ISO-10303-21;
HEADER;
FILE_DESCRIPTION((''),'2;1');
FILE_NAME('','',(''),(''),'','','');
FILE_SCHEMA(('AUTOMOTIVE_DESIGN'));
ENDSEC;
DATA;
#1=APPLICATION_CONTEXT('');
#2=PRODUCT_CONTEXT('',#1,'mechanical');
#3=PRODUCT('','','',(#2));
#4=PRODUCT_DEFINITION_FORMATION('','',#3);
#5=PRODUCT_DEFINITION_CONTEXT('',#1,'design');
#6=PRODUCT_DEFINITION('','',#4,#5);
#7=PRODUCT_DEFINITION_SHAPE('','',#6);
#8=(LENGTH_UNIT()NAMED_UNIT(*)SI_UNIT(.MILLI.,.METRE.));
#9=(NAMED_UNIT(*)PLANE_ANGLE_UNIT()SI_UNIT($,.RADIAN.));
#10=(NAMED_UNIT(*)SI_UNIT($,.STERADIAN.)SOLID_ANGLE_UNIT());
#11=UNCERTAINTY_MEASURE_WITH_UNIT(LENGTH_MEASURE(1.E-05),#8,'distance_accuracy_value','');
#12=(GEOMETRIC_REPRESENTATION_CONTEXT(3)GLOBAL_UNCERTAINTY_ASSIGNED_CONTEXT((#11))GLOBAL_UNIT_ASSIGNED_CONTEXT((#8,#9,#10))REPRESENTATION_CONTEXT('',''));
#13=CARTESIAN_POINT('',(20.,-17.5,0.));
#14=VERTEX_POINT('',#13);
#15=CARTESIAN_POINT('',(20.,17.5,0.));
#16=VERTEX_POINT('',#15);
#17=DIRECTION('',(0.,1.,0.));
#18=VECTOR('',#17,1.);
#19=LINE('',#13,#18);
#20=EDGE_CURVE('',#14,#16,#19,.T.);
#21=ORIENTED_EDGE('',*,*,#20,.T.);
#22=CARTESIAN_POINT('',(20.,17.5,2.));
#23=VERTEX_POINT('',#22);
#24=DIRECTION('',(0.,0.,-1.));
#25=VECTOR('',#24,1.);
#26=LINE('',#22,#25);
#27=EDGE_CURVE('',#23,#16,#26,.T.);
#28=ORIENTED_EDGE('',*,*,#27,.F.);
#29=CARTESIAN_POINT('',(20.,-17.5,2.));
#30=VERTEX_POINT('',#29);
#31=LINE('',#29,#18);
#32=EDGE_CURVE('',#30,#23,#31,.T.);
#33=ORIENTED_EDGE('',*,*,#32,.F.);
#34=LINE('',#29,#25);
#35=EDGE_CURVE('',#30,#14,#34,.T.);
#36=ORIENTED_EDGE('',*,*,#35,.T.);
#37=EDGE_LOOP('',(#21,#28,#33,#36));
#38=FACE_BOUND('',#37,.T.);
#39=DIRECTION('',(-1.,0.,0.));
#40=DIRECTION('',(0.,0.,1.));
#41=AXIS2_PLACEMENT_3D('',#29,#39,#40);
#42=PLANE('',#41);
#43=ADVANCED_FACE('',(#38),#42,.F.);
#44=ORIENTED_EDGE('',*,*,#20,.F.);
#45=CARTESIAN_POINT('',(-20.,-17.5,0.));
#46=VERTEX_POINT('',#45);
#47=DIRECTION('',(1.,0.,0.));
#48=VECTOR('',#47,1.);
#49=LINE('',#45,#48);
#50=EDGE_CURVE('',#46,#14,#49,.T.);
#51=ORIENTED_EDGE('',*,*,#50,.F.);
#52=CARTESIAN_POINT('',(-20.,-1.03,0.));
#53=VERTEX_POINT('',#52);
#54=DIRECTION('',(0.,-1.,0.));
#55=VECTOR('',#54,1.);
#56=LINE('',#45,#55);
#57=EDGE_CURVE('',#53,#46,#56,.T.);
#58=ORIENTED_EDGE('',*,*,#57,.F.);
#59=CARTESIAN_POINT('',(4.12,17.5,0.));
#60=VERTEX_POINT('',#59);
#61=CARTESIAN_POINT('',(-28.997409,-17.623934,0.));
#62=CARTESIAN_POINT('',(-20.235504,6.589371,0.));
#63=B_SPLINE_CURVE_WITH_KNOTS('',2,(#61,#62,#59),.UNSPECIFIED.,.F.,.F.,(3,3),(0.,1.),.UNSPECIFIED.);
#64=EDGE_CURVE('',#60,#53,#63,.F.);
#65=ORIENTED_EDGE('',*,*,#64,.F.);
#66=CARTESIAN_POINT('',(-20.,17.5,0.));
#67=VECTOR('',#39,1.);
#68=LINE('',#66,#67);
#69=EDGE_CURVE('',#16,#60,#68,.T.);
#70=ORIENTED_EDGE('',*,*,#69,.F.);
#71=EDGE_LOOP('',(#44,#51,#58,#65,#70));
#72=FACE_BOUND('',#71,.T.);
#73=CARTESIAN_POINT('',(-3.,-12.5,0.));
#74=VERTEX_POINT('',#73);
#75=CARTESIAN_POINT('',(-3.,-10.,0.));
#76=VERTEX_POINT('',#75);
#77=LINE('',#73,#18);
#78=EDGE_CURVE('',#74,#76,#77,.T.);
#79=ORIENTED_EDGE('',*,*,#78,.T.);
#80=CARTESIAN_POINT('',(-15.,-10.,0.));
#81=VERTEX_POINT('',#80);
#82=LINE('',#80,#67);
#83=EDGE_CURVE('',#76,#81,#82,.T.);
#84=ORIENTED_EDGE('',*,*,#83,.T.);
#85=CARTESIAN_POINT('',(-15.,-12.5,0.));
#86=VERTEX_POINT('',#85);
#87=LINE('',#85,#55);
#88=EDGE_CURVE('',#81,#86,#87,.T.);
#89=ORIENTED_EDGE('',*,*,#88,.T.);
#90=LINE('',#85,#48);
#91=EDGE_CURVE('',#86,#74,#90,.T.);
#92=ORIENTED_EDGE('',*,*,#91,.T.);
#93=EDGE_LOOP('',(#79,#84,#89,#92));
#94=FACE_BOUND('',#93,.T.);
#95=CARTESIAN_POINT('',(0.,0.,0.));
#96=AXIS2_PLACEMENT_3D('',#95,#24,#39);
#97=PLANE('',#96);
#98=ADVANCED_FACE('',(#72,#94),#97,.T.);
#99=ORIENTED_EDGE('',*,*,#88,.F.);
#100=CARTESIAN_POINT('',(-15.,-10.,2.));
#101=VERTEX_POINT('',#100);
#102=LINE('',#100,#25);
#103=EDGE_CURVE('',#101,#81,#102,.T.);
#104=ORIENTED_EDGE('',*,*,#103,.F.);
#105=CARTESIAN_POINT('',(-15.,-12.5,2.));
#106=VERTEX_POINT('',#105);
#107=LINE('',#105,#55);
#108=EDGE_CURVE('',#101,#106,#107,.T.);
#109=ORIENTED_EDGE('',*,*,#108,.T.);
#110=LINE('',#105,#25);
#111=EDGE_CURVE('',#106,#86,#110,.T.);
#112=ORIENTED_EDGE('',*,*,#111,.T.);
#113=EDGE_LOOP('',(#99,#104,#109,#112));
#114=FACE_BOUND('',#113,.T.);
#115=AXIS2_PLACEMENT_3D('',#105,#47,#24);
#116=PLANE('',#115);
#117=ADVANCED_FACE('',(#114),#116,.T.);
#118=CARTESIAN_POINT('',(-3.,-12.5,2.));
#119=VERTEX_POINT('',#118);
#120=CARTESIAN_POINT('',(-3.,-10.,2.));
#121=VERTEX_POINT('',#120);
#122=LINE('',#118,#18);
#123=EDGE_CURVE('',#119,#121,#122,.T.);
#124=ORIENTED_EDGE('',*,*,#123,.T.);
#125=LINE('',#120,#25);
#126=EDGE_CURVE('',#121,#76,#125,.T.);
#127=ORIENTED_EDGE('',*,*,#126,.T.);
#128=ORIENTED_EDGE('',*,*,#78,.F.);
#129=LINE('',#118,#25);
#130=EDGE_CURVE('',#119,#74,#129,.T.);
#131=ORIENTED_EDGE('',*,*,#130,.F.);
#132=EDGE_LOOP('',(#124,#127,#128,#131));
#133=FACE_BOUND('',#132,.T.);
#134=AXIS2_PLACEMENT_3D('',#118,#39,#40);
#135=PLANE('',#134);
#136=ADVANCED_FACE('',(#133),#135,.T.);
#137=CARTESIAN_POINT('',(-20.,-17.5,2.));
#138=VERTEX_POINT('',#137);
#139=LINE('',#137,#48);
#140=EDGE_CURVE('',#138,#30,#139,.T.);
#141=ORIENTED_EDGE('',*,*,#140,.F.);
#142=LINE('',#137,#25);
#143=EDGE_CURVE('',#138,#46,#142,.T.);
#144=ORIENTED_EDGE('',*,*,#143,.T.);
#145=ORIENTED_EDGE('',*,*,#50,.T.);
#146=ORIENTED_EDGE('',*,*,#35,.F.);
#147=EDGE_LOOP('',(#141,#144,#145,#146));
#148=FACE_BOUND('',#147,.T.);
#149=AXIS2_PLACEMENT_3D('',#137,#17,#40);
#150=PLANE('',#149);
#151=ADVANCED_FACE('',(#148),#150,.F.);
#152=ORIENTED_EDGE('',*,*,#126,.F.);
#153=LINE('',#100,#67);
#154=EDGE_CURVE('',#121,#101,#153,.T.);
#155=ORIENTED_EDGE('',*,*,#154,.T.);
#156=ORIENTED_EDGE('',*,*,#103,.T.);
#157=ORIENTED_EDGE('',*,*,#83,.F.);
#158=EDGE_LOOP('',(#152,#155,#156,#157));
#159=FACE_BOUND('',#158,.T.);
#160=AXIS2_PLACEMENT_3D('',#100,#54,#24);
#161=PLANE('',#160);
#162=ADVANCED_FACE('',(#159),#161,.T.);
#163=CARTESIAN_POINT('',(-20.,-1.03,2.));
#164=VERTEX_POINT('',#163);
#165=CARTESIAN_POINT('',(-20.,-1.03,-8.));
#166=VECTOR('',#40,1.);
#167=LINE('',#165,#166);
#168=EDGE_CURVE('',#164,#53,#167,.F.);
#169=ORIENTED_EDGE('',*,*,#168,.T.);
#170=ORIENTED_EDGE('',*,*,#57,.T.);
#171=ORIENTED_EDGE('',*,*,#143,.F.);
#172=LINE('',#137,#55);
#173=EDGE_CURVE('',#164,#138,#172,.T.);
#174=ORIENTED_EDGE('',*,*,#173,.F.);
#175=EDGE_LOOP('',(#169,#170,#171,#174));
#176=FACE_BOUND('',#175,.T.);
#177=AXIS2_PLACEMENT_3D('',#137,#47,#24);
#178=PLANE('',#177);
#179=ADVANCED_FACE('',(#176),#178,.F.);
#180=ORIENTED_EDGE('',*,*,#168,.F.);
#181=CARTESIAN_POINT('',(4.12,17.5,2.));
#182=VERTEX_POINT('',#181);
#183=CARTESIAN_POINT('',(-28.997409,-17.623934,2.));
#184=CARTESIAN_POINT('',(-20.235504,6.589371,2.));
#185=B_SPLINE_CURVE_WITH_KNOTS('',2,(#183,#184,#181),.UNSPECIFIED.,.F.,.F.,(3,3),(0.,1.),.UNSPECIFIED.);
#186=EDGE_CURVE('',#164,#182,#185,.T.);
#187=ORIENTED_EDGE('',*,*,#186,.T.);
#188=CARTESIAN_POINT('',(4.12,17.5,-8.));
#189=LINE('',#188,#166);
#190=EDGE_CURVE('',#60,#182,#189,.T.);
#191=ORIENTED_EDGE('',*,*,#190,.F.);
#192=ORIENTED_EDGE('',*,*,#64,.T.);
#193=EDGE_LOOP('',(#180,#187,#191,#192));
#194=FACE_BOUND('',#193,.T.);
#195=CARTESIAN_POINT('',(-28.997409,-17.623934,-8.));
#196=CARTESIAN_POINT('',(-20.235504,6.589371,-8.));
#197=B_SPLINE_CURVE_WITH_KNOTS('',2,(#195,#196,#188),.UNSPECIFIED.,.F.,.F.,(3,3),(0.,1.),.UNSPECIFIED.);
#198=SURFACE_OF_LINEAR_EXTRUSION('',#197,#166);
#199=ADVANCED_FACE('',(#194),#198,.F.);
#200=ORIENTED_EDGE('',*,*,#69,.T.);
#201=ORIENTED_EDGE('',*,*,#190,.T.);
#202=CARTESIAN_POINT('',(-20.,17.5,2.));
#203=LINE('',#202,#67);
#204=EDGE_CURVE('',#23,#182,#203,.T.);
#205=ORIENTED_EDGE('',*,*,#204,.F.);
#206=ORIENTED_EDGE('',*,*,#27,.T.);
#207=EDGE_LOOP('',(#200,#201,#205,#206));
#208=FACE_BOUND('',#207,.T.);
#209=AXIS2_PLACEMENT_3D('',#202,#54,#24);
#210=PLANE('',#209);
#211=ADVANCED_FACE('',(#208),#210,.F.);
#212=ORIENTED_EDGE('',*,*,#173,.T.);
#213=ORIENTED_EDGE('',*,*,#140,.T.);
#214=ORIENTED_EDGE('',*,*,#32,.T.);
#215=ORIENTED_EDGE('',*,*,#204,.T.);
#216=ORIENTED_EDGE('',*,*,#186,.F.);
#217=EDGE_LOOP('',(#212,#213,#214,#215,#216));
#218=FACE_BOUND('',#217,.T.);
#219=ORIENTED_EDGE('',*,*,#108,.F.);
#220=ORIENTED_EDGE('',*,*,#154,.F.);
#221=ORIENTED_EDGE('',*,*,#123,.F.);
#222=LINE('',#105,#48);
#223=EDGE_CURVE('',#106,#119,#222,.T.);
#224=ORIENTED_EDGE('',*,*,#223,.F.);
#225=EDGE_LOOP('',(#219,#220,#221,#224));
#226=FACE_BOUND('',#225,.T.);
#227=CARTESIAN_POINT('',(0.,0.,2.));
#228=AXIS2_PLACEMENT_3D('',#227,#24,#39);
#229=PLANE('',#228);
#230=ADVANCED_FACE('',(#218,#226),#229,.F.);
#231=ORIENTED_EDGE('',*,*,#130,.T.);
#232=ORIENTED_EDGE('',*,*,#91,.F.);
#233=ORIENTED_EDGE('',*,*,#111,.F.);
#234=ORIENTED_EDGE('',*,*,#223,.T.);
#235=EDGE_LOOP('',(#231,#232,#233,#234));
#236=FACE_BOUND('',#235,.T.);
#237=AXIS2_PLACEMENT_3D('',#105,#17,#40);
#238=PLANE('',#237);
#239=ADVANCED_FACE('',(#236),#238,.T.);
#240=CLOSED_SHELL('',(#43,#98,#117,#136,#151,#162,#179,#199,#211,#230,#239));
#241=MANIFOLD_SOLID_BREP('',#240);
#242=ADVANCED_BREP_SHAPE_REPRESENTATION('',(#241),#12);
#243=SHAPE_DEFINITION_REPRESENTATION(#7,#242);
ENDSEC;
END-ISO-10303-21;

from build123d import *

# Parameters (mm, degrees)
ESQUISSE1_W             = 40
ESQUISSE1_H             = 35
ESQUISSE1_W_2           = 12
ESQUISSE1_H_2           = 2.5
BOSS_EXTRU_1_DEPTH      = 2
ENL_V_MAT_EXTRU_1_DEPTH = 10


with BuildPart() as part:
    # Esquisse1 → Boss.-Extru.1 (new body)
    with BuildSketch(Plane.XY):
        Rectangle(ESQUISSE1_W, ESQUISSE1_H)
        with Locations((-9, -11.25)):
            Rectangle(ESQUISSE1_W_2, ESQUISSE1_H_2, mode=Mode.SUBTRACT)
    extrude(amount=BOSS_EXTRU_1_DEPTH)

    # Esquisse2 → Enlèv. mat.-Extru.1 (cut)
    with BuildSketch(Plane.XY.offset(2)):
        with BuildLine():
            Line((-28.997409478, -17.623933779), (-30.265364491, 23.868234326))
            Line((-30.265364491, 23.868234326), (4.12, 17.5))
            add(Edge.make_bspline(
                [(4.12, 17.5), (-20.235504114, 6.589370836), (-28.997409478, -17.623933779)],
                knots=[0, 0, 0, 1, 1, 1], degree=2))
        make_face()
    extrude(amount=-ENL_V_MAT_EXTRU_1_DEPTH, mode=Mode.SUBTRACT)


solid = part.part
